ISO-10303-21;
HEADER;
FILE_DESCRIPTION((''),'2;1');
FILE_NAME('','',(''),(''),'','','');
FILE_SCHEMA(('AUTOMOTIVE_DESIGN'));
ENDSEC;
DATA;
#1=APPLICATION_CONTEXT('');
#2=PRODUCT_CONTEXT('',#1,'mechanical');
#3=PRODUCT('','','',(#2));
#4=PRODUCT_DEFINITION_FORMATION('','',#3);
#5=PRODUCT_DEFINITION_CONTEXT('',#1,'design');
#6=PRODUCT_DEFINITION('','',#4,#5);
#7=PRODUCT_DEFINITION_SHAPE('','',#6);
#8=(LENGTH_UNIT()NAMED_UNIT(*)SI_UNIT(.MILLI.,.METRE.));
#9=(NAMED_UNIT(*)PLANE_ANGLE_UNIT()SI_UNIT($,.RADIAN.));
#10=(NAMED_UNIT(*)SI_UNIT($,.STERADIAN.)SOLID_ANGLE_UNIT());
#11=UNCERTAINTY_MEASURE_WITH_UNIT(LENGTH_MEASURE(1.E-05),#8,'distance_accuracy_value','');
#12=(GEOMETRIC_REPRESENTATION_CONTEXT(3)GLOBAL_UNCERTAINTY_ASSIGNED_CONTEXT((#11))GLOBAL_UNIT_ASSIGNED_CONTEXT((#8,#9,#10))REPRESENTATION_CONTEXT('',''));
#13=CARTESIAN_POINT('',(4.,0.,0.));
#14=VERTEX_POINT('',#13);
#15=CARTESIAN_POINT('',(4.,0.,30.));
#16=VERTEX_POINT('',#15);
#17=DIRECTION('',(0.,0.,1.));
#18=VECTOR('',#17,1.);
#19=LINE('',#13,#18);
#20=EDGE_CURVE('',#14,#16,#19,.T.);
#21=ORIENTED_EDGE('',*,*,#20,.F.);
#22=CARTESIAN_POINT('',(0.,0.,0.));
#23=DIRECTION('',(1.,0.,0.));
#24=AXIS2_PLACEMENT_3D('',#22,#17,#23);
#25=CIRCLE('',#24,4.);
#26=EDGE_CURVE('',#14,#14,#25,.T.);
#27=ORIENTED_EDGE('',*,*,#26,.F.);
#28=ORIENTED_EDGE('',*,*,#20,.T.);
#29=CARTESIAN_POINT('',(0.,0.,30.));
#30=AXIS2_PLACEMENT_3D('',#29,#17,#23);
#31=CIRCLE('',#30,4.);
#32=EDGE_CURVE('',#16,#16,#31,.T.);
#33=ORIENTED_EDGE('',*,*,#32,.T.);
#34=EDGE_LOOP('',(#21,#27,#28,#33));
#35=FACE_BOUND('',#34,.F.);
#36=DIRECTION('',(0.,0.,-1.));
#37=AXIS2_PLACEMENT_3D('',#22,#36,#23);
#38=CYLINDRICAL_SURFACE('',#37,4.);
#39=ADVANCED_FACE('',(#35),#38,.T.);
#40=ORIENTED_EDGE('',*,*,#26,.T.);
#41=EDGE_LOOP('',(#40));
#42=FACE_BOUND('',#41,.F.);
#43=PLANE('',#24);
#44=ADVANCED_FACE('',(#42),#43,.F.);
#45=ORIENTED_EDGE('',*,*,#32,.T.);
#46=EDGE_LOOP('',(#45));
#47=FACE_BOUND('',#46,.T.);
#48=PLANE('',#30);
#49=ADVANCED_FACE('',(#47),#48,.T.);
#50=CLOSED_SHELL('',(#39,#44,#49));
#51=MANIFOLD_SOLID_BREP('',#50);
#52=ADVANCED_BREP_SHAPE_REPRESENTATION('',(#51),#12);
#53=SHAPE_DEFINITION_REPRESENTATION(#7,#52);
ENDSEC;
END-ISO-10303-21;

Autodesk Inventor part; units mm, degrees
ref_plane "YZ Plane" through (0, 0, 0) normal (1, 0, 0) x (0, 1, 0)
ref_plane "XZ Plane" through (0, 0, 0) normal (0, 1, 0) x (-1, 0, 0)
ref_plane "XY Plane" through (0, 0, 0) normal (0, 0, 1) x (1, 0, 0)
sketch "Sketch1" plane through (0, 0, 0) normal (0, 0, 1) x (1, 0, 0)
  circle A0 centre (0, 0) radius 4
  dimension "d0" = 8
extrude "Extrusion1" add sketch "Sketch1" along normal blind 30
properties part number "middle_pivot_axel"
